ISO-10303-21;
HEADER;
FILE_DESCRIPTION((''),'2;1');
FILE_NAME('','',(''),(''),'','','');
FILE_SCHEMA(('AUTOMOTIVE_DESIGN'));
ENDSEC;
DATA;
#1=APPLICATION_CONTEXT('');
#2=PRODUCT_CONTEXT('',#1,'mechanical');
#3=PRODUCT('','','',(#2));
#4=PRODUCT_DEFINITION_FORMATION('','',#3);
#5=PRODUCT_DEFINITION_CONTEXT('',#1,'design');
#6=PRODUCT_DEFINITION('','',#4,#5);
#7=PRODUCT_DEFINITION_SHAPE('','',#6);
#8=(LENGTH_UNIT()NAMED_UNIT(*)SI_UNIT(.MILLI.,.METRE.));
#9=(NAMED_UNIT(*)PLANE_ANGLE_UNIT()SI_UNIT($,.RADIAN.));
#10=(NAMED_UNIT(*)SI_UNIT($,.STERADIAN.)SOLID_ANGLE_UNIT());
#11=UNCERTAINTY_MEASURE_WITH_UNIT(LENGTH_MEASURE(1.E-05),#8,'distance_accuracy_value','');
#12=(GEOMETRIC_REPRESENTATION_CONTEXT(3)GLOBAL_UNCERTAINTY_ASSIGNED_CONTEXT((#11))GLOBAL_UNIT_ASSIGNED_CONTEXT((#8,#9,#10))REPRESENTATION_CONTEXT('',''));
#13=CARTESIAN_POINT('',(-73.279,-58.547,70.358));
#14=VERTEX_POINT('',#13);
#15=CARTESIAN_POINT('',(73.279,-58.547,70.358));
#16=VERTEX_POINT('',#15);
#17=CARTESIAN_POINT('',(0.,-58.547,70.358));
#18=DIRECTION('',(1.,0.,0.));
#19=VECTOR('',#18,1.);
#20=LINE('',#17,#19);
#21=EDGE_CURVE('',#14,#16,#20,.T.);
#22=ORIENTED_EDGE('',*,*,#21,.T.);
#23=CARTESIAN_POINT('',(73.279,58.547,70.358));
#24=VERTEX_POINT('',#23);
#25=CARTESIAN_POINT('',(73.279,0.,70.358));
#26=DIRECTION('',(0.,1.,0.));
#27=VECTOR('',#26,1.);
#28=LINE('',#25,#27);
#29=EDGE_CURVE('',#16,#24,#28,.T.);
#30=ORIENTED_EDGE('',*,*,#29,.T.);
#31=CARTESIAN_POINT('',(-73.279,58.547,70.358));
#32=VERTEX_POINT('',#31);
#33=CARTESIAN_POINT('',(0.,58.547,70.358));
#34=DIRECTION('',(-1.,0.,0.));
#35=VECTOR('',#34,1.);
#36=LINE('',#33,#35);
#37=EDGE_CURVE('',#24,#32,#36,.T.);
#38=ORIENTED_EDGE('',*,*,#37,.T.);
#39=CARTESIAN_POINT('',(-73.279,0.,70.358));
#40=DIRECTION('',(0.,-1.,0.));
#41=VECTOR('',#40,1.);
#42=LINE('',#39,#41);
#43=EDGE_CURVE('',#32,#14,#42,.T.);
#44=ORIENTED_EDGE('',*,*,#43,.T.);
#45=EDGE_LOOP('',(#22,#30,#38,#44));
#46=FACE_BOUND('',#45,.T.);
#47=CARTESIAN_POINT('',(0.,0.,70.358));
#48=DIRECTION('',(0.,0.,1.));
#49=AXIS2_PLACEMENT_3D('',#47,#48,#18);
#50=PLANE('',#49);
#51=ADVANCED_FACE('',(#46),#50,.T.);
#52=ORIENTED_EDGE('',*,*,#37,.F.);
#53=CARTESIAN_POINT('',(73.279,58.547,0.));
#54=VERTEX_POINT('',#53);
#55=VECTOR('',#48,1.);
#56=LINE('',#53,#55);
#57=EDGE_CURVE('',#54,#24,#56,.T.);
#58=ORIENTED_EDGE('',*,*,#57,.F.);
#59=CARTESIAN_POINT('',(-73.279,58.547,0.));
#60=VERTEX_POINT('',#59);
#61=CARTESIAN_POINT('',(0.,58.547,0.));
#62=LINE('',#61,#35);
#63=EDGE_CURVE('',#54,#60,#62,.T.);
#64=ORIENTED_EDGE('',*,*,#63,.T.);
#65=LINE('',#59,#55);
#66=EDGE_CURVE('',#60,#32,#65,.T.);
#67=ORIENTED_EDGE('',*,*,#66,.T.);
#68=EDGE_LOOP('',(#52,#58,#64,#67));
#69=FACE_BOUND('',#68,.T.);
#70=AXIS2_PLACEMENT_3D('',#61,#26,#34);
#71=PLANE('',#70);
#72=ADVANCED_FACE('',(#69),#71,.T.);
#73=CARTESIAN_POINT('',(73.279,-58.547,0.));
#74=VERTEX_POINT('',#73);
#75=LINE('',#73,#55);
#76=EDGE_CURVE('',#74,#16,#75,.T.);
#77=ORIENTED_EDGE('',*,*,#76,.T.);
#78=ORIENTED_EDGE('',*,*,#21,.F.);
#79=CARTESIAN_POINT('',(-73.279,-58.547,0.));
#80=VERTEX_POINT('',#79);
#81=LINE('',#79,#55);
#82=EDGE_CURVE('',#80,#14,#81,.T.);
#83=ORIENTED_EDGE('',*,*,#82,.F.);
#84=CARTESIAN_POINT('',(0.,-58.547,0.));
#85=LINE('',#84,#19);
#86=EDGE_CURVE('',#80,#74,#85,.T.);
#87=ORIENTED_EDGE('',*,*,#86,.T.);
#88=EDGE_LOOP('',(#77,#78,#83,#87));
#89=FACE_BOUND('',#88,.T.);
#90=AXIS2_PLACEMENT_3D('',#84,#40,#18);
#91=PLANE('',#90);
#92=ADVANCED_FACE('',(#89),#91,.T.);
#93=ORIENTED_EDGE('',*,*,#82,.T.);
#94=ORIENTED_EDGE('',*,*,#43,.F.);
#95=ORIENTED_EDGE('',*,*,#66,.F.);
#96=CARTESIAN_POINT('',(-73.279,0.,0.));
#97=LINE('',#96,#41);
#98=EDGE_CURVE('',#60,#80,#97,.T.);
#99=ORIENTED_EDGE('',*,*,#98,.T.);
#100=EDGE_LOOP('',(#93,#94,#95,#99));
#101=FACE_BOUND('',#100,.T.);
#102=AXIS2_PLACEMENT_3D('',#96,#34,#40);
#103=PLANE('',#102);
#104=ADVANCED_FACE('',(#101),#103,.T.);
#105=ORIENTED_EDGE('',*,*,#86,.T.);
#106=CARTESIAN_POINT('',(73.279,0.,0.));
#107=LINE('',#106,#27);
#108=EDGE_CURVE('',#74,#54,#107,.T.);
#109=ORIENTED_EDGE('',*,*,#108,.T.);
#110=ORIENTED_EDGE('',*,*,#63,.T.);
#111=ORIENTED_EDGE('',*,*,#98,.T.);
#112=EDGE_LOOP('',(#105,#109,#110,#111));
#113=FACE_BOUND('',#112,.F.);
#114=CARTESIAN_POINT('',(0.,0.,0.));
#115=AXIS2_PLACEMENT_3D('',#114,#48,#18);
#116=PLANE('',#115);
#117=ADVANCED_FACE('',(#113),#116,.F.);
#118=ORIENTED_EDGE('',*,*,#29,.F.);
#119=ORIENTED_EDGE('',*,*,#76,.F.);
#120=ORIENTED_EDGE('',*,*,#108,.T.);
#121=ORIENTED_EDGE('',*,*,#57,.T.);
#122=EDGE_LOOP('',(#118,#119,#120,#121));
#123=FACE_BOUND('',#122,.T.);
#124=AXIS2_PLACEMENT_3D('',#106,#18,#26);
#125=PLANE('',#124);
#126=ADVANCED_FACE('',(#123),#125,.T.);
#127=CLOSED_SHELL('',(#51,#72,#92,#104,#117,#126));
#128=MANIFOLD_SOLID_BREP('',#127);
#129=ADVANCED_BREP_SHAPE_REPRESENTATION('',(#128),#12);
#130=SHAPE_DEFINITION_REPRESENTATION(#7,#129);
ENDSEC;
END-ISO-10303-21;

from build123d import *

# Parameters (mm, degrees)
F0_W = 146.558
F0_H = 117.094


with BuildPart() as f2:
    # F2: sweep along a path in F1
    with BuildLine(Plane.XZ) as f2_path:
        Line((0, 0), (0, 70.358))
    # F0 (on Top) → F2 (sweep)
    with BuildSketch(Plane.XY):
        Rectangle(F0_W, F0_H)
    sweep(path=f2_path.line)


solid = f2.part
